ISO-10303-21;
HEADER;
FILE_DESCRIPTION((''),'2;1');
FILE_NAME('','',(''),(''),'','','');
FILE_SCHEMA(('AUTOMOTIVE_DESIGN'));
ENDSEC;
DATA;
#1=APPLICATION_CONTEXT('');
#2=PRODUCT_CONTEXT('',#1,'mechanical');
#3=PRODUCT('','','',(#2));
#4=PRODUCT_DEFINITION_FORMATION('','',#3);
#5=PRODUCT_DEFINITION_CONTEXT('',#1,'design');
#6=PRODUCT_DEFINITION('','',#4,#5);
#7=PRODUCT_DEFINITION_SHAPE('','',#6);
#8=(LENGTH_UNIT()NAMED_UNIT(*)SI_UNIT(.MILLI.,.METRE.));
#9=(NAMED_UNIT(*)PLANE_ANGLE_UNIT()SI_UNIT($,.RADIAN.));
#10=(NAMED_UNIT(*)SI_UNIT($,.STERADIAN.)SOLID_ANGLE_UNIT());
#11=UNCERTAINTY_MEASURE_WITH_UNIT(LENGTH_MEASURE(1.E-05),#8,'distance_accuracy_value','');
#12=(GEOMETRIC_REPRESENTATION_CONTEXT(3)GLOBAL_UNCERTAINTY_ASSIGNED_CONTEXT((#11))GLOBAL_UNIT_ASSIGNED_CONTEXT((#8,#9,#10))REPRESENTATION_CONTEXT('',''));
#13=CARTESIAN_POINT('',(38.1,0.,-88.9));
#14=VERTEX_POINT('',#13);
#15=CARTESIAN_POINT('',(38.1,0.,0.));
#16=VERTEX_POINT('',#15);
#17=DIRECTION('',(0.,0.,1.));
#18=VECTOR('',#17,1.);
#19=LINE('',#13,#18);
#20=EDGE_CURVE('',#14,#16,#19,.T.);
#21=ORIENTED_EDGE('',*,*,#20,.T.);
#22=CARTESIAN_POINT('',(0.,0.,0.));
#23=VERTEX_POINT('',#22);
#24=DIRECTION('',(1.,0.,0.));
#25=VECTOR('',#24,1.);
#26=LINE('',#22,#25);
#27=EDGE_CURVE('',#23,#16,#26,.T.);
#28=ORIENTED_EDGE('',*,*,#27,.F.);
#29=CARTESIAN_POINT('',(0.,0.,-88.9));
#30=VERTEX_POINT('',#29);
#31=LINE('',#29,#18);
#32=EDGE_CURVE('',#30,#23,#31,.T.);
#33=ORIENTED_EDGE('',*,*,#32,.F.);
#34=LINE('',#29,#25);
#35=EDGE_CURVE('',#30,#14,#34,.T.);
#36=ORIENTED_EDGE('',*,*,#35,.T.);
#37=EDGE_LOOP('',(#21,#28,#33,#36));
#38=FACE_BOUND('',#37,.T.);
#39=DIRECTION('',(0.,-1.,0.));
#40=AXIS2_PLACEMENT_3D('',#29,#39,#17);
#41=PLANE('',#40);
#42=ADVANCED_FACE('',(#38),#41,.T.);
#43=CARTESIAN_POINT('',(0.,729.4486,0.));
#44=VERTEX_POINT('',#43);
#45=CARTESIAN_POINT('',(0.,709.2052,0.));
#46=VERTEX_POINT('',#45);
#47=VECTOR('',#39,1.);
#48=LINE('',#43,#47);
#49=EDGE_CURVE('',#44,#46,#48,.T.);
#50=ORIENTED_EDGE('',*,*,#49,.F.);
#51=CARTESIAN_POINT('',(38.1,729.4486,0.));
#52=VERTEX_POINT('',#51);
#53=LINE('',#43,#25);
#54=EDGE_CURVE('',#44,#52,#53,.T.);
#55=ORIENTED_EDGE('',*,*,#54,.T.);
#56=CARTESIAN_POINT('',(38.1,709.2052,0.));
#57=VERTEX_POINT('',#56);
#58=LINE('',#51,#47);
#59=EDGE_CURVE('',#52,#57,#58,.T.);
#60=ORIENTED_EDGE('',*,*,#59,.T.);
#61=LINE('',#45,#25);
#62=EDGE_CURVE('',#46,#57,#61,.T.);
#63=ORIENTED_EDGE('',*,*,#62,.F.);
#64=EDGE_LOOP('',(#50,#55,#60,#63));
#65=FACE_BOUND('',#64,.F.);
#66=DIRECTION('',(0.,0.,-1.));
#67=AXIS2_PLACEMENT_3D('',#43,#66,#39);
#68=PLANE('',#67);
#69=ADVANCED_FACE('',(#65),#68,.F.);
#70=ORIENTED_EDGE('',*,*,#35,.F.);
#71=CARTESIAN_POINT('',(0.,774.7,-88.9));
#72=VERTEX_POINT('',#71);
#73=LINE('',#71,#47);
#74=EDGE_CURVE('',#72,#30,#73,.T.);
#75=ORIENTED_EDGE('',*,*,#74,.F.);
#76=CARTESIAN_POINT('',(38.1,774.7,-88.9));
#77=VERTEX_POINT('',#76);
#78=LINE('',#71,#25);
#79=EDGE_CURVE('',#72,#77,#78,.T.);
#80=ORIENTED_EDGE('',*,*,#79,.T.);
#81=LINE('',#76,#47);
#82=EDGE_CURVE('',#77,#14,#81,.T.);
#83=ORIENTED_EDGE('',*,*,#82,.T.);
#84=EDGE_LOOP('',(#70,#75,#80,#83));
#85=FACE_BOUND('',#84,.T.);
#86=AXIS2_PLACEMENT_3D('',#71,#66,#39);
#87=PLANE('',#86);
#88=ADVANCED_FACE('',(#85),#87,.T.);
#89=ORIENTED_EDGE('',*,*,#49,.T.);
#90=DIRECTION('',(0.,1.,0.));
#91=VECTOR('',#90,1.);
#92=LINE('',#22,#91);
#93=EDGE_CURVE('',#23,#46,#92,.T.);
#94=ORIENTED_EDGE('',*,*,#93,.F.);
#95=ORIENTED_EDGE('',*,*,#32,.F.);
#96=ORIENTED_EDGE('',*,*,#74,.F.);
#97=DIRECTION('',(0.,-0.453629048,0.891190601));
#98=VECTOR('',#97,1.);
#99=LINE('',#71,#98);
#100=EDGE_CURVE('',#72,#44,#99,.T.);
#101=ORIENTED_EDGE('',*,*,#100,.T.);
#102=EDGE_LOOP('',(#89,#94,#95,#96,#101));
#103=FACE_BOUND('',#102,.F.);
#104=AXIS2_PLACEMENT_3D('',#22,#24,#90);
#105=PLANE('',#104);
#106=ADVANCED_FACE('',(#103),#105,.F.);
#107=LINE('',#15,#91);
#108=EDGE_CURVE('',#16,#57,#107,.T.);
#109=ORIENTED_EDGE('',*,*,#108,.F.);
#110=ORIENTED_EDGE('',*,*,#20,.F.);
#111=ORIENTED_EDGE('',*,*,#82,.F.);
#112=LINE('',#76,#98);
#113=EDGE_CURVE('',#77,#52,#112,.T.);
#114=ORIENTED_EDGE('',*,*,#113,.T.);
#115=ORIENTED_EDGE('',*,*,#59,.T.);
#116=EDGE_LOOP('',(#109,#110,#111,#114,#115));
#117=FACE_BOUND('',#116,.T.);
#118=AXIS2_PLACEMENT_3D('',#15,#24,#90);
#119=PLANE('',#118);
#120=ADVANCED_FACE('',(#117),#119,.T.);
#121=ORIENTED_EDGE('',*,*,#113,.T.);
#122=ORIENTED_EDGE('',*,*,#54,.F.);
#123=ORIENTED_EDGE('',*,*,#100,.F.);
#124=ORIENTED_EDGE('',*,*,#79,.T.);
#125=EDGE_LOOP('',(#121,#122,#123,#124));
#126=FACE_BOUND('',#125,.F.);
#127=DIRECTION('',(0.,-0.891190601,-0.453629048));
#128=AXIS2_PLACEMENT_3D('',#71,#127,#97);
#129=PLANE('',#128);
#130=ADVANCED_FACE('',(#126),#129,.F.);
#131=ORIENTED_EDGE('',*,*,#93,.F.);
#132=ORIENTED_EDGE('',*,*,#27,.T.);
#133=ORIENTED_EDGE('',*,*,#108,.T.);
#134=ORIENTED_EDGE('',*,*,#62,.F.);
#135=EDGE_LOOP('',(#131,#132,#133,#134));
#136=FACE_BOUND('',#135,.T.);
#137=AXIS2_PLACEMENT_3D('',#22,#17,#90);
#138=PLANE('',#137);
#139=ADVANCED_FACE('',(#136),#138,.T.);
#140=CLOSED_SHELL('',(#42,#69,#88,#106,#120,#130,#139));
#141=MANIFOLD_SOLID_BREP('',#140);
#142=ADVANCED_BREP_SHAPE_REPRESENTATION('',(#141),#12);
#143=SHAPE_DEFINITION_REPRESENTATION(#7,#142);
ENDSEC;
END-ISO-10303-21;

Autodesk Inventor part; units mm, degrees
ref_plane "YZ Plane" through (0, 0, 0) normal (1, 0, 0) x (0, 1, 0)
ref_plane "XZ Plane" through (0, 0, 0) normal (0, 1, 0) x (-1, 0, 0)
ref_plane "XY Plane" through (0, 0, 0) normal (0, 0, 1) x (1, 0, 0)
sketch "Sketch1" plane through (0, 0, 0) normal (1, 0, 0) x (0, 1, 0)
  line L0 (0, 0) -> (709.2052, 0)
  line L1 (774.7, -88.9) -> (0, -88.9)
  line L2 (0, -88.9) -> (0, 0)
  line L3 (774.7, -88.9) -> (909.5108, -88.9) construction
  line L4 (774.7, -88.9) -> (729.4486, 0)
  line L5 (729.4486, 0) -> (709.2052, 0)
extrude "Extrusion1" add sketch "Sketch1" along normal blind 38.1
properties part number "S_2x4x30.5"
